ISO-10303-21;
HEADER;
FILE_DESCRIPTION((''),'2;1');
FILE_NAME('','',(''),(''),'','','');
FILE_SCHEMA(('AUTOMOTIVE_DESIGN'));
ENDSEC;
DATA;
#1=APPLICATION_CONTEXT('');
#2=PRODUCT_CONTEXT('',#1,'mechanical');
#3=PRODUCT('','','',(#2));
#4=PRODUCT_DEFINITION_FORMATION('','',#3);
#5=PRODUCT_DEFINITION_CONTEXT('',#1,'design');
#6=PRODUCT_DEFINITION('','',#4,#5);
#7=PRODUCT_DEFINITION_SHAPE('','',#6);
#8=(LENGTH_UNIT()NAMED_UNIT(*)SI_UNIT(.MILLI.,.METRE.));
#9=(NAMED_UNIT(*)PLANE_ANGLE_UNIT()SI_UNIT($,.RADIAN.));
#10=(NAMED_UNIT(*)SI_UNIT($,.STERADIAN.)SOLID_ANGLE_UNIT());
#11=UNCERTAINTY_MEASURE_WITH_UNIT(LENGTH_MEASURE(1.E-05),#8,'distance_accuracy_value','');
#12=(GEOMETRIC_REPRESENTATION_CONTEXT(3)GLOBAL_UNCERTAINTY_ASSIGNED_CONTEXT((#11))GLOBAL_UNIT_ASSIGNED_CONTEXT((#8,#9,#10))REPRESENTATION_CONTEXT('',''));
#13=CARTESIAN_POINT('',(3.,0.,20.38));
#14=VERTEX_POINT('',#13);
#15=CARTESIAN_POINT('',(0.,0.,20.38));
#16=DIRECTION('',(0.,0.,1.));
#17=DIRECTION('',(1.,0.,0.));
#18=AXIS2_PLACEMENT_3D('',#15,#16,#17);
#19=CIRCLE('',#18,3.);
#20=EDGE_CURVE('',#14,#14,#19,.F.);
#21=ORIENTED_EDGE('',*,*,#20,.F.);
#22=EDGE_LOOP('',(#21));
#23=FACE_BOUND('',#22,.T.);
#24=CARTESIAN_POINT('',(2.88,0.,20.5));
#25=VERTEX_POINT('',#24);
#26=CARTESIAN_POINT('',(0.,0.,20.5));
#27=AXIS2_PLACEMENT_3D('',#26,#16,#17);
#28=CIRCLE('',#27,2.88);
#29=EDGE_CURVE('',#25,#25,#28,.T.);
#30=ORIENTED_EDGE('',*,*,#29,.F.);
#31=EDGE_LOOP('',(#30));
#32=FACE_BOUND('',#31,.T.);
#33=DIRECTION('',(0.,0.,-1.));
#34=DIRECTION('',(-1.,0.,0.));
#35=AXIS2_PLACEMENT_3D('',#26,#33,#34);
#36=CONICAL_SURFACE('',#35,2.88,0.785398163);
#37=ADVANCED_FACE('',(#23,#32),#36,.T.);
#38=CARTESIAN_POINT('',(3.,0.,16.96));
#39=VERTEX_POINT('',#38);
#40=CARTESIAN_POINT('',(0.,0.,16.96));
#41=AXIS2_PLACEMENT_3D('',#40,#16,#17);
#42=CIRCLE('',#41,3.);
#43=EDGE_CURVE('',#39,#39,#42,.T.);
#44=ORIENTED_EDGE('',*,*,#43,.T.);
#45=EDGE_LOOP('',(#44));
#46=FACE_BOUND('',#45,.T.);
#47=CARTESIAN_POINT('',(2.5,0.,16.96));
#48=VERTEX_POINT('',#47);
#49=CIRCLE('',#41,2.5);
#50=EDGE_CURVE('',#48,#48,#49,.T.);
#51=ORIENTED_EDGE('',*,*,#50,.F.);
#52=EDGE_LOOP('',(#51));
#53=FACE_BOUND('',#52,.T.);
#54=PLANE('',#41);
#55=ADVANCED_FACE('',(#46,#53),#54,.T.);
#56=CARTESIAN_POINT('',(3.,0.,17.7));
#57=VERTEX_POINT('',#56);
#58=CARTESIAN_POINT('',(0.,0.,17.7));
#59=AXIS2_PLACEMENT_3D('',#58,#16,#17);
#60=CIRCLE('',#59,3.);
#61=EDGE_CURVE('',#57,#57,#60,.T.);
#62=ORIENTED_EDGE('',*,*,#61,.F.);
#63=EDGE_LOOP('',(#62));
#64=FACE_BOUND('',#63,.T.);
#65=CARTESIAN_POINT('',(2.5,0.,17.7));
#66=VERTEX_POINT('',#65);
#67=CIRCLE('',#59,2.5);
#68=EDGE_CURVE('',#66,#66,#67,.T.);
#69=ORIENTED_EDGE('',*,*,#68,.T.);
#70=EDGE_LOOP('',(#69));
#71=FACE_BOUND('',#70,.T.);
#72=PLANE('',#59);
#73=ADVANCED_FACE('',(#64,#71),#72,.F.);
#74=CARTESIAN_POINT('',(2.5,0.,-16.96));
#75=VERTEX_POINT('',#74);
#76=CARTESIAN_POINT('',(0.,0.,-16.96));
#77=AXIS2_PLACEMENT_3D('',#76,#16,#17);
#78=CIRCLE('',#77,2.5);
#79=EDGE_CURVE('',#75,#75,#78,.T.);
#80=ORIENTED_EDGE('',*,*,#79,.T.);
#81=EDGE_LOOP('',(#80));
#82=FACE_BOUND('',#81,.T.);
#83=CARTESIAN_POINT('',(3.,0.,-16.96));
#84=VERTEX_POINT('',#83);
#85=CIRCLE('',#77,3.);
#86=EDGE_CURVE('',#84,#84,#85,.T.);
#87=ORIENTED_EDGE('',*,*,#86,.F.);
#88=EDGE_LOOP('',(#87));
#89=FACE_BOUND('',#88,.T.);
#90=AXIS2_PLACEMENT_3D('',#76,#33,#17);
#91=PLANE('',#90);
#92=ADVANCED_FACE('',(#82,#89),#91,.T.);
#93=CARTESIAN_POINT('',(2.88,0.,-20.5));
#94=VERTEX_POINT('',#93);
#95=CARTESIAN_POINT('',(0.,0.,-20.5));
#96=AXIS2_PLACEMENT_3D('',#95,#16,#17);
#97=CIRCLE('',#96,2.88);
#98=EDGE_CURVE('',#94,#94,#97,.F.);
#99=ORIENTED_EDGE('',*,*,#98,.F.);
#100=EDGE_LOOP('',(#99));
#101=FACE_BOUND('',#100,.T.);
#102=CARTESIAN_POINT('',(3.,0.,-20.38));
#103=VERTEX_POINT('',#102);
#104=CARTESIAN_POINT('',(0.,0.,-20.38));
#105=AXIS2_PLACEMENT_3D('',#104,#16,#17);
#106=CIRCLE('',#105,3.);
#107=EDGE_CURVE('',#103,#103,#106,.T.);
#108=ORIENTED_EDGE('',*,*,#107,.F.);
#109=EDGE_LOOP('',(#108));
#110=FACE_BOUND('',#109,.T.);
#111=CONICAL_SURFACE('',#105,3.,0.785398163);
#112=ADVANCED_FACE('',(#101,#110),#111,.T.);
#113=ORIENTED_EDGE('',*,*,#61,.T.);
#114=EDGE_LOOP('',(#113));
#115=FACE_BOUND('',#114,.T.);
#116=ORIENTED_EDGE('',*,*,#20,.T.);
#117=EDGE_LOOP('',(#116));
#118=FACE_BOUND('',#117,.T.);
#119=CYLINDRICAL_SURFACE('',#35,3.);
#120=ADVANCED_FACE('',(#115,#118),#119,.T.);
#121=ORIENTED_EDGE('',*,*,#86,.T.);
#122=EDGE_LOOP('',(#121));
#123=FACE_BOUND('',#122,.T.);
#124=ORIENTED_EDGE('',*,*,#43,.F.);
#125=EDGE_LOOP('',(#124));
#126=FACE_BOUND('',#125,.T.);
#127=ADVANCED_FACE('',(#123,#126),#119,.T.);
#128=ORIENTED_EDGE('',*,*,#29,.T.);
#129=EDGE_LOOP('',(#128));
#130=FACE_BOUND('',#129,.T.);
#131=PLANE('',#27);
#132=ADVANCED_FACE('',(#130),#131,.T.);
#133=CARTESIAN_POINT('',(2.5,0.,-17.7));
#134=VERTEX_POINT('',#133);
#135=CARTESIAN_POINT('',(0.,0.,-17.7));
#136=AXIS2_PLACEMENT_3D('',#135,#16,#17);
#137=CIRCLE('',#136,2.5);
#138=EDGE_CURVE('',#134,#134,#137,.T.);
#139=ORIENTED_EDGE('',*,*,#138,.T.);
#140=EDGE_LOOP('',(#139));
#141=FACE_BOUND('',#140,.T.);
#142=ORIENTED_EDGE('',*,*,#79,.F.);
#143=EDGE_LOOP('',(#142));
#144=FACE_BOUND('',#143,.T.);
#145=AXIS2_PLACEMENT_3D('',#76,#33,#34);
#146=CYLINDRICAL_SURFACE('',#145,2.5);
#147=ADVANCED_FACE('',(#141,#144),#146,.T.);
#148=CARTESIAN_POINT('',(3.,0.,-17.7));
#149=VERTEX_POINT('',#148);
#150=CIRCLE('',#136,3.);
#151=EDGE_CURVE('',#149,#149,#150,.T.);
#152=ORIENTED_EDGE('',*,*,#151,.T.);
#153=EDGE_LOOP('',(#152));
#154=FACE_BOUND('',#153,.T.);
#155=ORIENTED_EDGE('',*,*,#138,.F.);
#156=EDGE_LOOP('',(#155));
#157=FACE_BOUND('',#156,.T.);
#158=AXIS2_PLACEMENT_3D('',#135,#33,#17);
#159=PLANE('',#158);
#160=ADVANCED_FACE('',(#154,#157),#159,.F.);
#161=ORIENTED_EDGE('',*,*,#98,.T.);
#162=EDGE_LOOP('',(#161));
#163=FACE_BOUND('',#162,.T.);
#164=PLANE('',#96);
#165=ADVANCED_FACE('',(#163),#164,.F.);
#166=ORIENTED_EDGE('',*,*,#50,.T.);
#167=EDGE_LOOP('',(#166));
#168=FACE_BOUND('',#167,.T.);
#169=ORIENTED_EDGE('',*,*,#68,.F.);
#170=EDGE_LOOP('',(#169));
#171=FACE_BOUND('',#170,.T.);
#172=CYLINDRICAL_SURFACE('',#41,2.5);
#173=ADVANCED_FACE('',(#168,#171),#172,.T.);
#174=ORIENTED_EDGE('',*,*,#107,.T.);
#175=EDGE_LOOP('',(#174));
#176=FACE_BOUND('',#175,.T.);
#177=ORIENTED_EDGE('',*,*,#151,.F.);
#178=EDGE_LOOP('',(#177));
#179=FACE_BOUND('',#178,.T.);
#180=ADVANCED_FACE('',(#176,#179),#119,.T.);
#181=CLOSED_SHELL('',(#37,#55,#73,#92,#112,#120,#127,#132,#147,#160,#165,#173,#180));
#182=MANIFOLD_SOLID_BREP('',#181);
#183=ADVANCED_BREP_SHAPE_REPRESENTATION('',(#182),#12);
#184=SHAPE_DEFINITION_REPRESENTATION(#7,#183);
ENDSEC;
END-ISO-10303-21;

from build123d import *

# Parameters (mm, degrees)
SKETCH2_R                = 3
BOSS_EXTRUDE1_DEPTH      = 20.5
BOSS_EXTRUDE1_DEPTH_BACK = 20.5
CHAMFER1_SIZE            = 0.12
CUT_EXTRUDE1_START       = -2.1
SKETCH3_R                = 3
SKETCH3_R_2              = 2.5
CUT_EXTRUDE1_DEPTH       = 0.74


with BuildPart() as part:
    # Sketch2 → Boss-Extrude1 (new body, two sides)
    with BuildSketch(Plane.XY) as boss_extrude1_sk:
        Circle(SKETCH2_R)
    extrude(amount=BOSS_EXTRUDE1_DEPTH)
    extrude(boss_extrude1_sk.sketch, amount=-BOSS_EXTRUDE1_DEPTH_BACK)

    # Chamfer1
    chamfer1_edges = [part.edges().sort_by_distance(p)[0] for p in [
        (-3, 0, -20.5),
        (-3, 0, 20.5),
    ]]
    chamfer(chamfer1_edges, length=CHAMFER1_SIZE)

    # Sketch3 → Cut-Extrude1 (cut)
    with BuildSketch(Plane.XY.offset(19.8).offset(CUT_EXTRUDE1_START)):
        Circle(SKETCH3_R)
        Circle(SKETCH3_R_2, mode=Mode.SUBTRACT)
    cut_extrude1 = extrude(amount=-CUT_EXTRUDE1_DEPTH, mode=Mode.SUBTRACT)

    # Mirror1: Cut-Extrude1 across plane
    add(cut_extrude1.mirror(Plane.XY), mode=Mode.SUBTRACT)


solid = part.part
